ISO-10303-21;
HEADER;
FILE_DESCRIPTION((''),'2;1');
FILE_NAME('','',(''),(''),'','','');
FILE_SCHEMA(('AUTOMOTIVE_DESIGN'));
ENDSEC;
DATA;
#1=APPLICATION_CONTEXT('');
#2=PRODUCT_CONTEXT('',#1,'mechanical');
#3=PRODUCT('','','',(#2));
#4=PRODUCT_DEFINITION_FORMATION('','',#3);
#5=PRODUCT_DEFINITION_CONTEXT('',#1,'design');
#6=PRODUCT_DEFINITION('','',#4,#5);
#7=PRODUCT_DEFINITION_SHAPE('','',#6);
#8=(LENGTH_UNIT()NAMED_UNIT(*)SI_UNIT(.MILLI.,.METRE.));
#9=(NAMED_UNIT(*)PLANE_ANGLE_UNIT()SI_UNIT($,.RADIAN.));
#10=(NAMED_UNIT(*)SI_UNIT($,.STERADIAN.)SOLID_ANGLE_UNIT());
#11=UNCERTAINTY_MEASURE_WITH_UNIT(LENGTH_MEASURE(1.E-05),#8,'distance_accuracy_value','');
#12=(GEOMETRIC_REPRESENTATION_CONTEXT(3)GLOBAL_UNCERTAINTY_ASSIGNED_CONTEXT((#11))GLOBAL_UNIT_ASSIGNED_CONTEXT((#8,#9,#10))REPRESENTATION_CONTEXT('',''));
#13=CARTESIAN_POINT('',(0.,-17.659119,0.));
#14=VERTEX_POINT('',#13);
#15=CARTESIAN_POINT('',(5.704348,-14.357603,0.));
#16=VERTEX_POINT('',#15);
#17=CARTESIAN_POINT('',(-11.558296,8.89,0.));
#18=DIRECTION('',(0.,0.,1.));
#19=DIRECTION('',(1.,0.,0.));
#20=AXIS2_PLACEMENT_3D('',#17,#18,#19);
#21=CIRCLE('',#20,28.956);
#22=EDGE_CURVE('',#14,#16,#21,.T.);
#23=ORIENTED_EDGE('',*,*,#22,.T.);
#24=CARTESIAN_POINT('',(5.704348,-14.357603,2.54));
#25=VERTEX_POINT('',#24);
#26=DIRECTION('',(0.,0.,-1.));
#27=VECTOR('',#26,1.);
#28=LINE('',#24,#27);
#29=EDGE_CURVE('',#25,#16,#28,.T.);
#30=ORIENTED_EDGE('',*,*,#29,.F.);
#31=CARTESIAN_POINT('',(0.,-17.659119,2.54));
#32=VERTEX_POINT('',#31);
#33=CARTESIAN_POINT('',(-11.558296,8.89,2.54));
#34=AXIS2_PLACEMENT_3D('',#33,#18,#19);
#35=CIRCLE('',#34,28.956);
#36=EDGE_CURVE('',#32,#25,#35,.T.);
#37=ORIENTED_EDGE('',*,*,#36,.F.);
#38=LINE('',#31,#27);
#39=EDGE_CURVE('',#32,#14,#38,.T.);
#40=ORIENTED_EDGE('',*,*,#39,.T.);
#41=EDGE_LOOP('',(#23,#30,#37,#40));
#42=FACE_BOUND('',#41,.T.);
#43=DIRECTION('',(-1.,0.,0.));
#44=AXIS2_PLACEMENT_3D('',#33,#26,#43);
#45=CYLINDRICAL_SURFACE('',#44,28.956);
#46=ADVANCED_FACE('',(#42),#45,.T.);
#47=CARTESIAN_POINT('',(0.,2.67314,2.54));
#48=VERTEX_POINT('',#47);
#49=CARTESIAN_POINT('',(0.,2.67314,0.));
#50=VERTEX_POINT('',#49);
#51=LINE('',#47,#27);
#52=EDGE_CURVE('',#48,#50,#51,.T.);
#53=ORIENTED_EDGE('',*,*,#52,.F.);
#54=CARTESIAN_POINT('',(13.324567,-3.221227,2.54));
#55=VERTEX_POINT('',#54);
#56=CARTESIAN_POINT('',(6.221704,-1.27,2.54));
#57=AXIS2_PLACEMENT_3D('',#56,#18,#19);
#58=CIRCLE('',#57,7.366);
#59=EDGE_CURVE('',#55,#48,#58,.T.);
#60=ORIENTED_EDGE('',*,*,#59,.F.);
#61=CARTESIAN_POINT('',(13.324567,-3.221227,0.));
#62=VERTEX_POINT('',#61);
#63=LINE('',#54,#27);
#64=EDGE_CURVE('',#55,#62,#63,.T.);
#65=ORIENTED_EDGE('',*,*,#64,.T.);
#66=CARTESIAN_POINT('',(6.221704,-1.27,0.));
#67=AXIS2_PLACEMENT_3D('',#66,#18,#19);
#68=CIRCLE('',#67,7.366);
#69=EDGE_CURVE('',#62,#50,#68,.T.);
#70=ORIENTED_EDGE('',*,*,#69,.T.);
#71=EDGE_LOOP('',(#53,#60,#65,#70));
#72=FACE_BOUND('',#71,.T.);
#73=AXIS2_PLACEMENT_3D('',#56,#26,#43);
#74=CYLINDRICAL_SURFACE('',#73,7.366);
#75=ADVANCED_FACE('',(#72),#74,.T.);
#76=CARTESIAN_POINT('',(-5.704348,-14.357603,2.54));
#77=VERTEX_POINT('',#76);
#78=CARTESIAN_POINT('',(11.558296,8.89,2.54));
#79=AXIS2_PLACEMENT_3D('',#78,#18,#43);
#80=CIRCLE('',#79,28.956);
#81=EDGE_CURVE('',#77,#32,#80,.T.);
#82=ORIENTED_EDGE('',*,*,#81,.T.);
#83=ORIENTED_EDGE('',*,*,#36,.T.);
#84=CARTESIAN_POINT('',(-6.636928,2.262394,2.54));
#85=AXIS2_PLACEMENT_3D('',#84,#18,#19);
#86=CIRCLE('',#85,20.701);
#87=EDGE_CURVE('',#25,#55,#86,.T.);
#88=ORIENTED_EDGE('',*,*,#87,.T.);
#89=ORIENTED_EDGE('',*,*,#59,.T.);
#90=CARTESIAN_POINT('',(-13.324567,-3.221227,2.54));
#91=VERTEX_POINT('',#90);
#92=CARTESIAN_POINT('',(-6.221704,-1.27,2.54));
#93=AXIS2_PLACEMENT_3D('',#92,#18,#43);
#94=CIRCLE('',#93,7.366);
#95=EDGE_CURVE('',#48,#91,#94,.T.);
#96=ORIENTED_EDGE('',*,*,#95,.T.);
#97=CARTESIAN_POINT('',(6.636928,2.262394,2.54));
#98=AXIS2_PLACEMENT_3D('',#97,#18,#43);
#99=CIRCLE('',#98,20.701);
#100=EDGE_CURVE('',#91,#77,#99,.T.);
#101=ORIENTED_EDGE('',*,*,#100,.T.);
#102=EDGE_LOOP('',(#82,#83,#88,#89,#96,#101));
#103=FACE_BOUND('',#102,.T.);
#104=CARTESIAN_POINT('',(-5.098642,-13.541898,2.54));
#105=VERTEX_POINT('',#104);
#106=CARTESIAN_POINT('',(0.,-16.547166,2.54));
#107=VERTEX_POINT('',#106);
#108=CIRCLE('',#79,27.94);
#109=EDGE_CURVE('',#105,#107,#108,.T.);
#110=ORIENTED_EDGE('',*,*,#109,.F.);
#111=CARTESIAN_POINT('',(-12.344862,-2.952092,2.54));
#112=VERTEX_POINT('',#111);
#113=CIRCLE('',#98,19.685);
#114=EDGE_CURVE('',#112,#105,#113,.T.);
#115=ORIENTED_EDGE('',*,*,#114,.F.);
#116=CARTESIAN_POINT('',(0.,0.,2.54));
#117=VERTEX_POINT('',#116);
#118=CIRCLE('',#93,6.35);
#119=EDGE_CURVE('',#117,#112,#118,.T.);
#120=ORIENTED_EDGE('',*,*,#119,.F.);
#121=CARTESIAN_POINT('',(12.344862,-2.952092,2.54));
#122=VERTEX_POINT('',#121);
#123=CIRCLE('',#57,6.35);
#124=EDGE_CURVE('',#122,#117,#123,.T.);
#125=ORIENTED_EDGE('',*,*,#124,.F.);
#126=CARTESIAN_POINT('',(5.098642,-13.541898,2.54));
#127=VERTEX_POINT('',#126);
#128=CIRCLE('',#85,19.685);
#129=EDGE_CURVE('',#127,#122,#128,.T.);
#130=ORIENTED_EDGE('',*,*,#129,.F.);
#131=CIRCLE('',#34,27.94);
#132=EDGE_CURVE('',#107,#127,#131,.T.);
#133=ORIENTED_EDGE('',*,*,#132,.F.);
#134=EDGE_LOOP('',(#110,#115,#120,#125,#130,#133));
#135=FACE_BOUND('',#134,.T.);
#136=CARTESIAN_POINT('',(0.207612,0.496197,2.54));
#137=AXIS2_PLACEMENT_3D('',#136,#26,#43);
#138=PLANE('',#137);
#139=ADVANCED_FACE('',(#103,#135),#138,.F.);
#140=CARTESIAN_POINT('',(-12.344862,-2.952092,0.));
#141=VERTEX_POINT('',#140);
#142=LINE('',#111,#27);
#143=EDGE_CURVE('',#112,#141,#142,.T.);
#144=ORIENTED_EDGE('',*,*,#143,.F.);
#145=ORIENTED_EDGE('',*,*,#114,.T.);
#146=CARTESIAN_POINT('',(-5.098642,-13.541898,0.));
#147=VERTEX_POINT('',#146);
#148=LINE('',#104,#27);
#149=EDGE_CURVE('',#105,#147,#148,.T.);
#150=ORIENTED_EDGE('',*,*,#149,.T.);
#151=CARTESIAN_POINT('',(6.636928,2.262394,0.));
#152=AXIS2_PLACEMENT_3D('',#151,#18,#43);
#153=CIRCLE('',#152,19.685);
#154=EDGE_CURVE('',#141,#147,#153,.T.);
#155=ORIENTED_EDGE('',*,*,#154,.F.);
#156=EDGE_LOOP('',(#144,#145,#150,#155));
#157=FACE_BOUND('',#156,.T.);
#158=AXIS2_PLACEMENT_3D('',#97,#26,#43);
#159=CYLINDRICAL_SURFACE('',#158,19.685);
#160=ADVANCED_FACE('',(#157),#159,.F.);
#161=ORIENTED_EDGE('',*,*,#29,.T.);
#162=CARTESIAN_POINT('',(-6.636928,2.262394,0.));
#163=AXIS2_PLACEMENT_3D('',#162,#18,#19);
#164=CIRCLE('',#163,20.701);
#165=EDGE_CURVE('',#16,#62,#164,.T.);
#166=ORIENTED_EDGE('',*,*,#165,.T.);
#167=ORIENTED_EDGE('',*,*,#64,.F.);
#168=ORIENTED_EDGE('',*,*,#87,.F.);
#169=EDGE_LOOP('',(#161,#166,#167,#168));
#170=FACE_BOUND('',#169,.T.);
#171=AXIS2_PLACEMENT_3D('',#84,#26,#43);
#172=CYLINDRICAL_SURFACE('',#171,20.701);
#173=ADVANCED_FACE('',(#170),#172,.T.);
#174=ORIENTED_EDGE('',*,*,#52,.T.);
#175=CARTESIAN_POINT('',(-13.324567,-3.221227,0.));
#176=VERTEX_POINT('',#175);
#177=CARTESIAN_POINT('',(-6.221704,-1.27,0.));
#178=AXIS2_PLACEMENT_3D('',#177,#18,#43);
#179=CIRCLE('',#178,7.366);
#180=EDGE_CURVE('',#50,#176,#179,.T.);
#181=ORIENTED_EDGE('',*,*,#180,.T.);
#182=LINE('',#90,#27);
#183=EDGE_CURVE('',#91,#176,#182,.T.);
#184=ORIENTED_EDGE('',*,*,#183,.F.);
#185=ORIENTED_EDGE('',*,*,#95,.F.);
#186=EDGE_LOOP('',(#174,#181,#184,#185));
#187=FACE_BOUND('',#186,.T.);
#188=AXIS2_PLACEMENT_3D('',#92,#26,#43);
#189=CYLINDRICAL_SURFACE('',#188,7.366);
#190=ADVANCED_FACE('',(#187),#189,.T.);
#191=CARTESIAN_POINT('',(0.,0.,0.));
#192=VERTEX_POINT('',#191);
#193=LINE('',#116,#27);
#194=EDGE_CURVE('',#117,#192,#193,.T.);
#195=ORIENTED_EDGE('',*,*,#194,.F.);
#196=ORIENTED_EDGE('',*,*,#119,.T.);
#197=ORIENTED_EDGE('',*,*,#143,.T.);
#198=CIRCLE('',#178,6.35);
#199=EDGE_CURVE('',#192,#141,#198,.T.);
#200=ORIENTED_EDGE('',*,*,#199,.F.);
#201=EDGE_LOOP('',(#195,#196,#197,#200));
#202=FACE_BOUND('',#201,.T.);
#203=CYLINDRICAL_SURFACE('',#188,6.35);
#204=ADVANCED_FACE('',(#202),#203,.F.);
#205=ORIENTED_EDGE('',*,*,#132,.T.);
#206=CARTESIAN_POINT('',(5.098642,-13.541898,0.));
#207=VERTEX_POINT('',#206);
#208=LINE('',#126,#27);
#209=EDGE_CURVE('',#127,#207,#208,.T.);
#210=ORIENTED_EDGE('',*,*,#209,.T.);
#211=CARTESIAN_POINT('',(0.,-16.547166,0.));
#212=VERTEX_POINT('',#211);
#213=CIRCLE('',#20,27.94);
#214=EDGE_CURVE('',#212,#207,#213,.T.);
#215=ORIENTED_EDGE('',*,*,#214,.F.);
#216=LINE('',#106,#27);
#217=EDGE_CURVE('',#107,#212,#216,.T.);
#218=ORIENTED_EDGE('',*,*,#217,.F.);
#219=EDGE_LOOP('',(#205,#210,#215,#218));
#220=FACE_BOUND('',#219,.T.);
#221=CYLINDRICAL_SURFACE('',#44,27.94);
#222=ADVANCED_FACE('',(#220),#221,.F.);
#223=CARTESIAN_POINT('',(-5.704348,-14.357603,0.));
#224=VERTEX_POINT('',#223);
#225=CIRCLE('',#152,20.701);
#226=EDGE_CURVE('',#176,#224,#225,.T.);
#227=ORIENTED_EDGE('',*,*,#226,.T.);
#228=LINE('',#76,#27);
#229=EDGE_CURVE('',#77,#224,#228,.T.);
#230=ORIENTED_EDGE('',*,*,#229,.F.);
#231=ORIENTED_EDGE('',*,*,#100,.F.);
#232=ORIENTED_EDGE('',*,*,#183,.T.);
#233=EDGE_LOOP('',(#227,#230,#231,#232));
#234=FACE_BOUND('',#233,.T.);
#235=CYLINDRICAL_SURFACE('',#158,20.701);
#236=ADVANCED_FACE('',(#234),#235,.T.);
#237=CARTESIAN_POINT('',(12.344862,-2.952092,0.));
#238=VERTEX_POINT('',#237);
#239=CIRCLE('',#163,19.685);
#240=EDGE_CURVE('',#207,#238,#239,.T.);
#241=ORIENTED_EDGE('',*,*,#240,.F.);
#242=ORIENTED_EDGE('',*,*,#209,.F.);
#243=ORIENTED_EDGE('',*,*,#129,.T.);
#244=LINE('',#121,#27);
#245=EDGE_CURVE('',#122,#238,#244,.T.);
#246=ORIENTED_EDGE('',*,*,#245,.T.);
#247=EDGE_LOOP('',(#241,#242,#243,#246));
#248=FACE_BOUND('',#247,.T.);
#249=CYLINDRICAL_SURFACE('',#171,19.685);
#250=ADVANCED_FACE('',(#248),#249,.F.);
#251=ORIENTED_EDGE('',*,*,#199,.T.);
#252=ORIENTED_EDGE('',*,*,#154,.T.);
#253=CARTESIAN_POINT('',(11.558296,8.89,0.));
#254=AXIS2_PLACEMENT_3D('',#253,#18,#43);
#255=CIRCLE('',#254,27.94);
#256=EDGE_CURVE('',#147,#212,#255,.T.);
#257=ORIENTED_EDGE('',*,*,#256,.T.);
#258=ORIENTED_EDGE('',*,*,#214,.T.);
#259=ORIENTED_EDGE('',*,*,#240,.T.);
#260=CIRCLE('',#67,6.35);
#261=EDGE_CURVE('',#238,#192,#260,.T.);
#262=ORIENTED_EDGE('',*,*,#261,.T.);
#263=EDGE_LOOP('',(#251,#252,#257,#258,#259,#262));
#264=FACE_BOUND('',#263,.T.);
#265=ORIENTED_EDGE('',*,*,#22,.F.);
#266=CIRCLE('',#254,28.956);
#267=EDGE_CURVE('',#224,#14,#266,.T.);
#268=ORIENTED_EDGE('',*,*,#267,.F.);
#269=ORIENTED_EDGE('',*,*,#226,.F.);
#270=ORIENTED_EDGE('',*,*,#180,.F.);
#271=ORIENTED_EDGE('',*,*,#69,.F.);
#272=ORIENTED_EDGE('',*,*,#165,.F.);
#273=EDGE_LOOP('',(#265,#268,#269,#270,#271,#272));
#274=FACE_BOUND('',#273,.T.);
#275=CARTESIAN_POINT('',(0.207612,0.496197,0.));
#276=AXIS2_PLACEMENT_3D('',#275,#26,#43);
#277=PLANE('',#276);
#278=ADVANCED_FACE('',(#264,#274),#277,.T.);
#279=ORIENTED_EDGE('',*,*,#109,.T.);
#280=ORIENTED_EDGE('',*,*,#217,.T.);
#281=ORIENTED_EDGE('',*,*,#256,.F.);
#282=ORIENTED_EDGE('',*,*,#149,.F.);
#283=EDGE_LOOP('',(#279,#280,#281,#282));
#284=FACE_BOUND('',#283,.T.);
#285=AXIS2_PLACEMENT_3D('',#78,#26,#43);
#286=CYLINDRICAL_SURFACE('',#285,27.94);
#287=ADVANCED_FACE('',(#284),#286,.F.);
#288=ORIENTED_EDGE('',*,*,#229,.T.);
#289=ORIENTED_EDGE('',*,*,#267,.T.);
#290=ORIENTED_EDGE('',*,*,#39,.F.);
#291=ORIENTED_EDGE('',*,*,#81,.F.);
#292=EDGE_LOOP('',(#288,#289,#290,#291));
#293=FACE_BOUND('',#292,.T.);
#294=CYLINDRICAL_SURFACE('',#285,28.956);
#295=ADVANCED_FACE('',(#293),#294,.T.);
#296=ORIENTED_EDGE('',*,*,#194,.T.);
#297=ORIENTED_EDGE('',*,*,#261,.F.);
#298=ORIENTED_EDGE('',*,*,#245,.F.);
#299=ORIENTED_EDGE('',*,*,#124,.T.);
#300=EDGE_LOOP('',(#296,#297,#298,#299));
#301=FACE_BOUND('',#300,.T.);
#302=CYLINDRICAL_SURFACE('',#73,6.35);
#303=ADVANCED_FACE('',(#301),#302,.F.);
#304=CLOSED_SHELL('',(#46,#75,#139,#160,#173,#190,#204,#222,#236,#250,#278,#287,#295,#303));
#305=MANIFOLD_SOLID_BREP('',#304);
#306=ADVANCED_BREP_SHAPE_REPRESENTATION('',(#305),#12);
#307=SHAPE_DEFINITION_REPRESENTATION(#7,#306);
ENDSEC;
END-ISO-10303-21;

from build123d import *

# Parameters (mm, degrees)
BOSS_EXTRUDE1_DEPTH = 2.54


with BuildPart() as part:
    # Sketch1 → Boss-Extrude1 (new body)
    with BuildSketch(Plane.XY):
        with BuildLine():
            ThreePointArc((-13.324567367, -3.22122711), (-9.201637253, 5.466316018), (0, 2.673140373))
            ThreePointArc((0, 2.673140373), (9.201637253, 5.466316018), (13.324567367, -3.22122711))
            ThreePointArc((13.324567367, -3.22122711), (10.447333261, -9.42774786), (5.704348435, -14.357602914))
            ThreePointArc((5.704348435, -14.357602914), (2.946415451, -16.171190718), (0, -17.659119163))
            ThreePointArc((0, -17.659119163), (-2.946415451, -16.171190718), (-5.704348435, -14.357602914))
            ThreePointArc((-5.704348435, -14.357602914), (-10.447333261, -9.42774786), (-13.324567367, -3.22122711))
        make_face()
        with BuildLine():
            ThreePointArc((12.344862067, -2.952092336), (7.698572292, 4.905869161), (0, 0))
            ThreePointArc((0, 0), (-7.698572292, 4.905869161), (-12.344862067, -2.952092336))
            ThreePointArc((-12.344862067, -2.952092336), (-9.608841906, -8.853998571), (-5.098641611, -13.541897549))
            ThreePointArc((-5.098641611, -13.541897549), (-2.629119582, -15.179915612), (0, -16.547165572))
            ThreePointArc((0, -16.547165572), (2.629119582, -15.179915612), (5.098641611, -13.541897549))
            ThreePointArc((5.098641611, -13.541897549), (9.608841906, -8.853998571), (12.344862067, -2.952092336))
        make_face(mode=Mode.SUBTRACT)
    extrude(amount=BOSS_EXTRUDE1_DEPTH)


solid = part.part
